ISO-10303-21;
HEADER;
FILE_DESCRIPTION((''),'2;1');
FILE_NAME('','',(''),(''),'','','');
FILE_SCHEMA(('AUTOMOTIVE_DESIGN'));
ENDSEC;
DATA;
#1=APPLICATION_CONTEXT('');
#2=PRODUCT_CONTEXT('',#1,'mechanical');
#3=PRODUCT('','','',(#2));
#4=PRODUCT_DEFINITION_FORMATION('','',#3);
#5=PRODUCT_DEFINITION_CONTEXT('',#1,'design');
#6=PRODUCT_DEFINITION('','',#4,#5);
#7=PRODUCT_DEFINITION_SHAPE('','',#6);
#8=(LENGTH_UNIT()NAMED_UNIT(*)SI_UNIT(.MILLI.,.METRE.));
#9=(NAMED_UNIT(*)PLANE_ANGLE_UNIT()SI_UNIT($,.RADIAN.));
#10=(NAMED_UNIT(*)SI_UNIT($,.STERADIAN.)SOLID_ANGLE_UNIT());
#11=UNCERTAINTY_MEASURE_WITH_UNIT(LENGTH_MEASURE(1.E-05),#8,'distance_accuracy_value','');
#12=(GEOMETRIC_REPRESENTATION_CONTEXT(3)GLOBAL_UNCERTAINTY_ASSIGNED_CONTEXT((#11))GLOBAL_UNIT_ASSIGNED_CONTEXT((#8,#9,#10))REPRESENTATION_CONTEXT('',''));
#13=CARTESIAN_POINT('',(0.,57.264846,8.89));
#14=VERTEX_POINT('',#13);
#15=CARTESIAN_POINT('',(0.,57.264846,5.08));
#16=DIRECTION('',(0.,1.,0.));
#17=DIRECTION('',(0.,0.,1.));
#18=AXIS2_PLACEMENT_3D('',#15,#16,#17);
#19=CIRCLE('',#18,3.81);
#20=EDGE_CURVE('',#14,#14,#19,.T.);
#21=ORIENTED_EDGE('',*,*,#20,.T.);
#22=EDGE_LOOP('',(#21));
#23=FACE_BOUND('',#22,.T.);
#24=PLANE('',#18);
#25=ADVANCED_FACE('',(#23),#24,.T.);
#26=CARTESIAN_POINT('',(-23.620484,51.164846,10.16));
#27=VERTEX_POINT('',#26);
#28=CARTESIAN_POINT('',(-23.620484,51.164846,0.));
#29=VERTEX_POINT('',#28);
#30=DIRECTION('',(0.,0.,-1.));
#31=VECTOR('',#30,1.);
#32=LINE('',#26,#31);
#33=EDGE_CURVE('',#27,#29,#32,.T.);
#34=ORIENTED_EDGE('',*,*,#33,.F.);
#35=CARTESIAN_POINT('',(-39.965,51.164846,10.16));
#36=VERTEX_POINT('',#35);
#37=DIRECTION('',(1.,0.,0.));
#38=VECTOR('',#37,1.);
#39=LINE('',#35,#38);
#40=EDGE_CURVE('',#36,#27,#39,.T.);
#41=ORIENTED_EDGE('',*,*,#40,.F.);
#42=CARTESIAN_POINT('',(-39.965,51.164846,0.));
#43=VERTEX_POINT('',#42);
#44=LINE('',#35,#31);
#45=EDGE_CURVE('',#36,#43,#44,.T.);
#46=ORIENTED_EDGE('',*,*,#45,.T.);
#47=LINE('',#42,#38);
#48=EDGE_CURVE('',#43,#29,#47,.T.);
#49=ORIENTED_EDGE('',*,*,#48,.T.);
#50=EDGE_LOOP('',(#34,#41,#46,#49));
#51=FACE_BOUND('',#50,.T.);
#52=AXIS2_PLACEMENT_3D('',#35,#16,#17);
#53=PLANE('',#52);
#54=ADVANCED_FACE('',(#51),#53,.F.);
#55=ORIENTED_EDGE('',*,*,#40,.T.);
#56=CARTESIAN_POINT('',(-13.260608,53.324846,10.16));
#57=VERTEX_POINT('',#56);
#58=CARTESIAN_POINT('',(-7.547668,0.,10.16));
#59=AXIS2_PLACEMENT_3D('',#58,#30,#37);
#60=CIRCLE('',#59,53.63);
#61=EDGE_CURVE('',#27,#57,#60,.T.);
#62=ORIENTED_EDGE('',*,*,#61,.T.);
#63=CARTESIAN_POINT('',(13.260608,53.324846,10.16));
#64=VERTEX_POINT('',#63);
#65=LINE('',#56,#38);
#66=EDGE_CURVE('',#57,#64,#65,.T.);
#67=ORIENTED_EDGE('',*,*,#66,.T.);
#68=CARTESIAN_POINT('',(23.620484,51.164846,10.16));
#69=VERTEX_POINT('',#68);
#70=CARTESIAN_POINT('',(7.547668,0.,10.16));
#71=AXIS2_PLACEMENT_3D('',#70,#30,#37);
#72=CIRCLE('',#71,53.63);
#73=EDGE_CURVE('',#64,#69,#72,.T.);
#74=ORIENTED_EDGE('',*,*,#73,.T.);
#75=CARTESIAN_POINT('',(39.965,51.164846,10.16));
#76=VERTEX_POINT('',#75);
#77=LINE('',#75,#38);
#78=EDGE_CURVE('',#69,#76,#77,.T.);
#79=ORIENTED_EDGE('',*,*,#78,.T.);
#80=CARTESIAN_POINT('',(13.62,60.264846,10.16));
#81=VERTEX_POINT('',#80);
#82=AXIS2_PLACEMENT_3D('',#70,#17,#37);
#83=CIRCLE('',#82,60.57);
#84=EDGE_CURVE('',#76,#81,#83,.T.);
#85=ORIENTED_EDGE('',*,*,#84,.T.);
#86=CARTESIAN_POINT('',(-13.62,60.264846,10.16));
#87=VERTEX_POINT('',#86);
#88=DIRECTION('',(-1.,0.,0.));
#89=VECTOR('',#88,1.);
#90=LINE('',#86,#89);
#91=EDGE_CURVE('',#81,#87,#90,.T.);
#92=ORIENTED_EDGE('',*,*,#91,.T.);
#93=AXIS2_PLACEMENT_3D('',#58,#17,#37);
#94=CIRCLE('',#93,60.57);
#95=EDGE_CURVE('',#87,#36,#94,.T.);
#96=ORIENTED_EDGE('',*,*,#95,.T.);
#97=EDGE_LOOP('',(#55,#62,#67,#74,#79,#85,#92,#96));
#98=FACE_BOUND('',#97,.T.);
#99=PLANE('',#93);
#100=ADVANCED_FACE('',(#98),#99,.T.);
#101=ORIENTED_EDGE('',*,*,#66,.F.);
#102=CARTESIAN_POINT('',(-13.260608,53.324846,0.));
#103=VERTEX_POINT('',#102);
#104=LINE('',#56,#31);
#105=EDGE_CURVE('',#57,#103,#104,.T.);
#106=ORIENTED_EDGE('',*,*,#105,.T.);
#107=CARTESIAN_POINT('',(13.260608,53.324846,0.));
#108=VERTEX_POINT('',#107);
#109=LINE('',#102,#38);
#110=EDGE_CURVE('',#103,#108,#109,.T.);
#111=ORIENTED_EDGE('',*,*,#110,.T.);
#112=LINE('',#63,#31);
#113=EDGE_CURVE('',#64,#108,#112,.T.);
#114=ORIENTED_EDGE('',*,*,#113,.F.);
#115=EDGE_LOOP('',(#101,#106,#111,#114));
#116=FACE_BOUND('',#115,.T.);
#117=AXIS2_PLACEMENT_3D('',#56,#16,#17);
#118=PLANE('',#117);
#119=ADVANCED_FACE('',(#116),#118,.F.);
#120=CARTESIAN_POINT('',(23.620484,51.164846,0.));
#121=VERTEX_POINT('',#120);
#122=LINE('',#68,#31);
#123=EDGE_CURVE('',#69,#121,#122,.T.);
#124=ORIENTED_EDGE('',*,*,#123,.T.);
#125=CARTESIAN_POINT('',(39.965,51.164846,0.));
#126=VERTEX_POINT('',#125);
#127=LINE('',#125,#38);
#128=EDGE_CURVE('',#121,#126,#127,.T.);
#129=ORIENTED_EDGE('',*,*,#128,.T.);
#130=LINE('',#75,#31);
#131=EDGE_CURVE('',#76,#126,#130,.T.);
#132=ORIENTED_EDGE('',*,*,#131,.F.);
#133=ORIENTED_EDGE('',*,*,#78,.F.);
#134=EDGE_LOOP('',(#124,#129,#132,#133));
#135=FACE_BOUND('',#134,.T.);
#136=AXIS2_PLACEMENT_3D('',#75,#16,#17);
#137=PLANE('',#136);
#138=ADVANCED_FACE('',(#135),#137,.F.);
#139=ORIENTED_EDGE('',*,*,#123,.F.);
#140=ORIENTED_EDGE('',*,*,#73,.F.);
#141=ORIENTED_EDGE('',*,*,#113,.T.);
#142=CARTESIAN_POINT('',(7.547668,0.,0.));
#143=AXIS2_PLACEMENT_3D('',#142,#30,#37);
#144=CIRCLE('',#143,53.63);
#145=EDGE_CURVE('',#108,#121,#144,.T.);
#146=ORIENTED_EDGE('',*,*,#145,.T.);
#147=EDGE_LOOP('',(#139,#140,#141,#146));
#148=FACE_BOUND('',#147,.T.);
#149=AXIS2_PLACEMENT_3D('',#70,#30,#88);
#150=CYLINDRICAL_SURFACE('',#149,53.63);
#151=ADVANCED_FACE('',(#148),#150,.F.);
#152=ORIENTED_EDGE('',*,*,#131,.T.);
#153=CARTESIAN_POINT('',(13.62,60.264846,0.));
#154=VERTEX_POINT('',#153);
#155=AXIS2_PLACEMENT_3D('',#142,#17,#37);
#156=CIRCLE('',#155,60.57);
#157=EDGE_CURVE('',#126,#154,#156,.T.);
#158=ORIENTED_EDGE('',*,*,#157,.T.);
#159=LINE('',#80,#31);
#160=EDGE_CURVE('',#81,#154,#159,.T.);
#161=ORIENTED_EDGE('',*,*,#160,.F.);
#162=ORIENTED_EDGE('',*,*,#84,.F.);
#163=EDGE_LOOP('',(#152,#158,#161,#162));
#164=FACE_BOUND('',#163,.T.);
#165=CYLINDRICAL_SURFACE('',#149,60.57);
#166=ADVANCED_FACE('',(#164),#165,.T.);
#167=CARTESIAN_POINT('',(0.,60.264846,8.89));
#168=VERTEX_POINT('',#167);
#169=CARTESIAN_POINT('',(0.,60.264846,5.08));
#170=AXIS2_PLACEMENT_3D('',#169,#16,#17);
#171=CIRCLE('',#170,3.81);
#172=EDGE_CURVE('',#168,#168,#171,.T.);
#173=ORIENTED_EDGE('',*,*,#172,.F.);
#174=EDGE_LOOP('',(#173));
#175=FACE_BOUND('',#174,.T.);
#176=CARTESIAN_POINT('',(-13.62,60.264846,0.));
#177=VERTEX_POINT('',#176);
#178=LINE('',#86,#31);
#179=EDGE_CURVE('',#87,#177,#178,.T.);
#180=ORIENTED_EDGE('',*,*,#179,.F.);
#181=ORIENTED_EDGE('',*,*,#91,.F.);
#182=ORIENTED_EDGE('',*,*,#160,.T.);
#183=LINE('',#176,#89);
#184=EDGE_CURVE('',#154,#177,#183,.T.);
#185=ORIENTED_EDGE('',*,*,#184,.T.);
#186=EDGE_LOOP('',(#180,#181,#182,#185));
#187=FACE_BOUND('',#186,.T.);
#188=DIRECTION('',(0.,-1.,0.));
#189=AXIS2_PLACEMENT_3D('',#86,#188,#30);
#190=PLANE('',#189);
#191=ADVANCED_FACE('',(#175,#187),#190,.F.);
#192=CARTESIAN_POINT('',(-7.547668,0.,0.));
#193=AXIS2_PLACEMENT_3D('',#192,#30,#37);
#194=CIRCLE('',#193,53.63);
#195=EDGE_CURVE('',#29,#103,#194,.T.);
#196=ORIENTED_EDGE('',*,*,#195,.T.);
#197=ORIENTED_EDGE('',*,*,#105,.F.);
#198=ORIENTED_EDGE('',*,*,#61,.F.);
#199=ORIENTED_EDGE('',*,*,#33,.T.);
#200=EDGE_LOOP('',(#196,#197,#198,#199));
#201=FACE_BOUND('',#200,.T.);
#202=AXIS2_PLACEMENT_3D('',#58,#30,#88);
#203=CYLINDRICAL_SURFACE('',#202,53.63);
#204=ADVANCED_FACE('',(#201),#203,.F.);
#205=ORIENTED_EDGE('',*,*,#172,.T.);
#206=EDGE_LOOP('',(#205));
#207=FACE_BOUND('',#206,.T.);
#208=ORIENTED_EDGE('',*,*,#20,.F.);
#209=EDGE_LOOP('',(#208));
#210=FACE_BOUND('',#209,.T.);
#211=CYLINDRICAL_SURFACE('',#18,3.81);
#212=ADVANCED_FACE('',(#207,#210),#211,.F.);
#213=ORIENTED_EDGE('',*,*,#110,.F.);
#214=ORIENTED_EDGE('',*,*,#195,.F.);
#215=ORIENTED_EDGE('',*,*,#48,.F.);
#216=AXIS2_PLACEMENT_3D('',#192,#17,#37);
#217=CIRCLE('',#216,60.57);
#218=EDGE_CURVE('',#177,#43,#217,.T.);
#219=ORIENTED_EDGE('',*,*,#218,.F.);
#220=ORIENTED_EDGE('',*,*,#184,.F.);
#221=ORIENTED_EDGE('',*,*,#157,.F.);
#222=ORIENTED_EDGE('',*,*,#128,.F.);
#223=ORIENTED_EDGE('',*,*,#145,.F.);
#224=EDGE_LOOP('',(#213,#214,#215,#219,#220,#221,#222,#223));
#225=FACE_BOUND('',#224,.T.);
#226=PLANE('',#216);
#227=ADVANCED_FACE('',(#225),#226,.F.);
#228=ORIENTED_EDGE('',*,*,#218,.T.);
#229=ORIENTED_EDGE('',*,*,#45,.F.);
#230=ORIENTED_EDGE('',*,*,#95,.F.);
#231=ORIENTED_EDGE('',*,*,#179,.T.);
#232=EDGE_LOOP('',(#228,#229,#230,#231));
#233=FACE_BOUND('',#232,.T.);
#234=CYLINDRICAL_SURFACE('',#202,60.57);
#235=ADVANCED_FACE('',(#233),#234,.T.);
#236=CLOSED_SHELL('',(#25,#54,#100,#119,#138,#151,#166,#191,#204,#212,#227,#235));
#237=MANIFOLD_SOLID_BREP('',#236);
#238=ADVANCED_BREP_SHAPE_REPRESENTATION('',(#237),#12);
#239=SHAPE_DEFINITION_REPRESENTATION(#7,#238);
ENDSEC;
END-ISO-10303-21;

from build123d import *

# Parameters (mm, degrees)
BOSS_EXTRUDE1_DEPTH = 10.16
SKETCH2_R           = 3.81
CUT_EXTRUDE1_DEPTH  = 3


with BuildPart() as part:
    # Sketch1 → Boss-Extrude1 (new body)
    with BuildSketch(Plane.XY):
        with BuildLine():
            Line((-13.62, 60.264846167), (13.62, 60.264846167))
            ThreePointArc((13.62, 60.264846167), (27.323058228, 57.250841389), (39.965, 51.164846167))
            Line((39.965, 51.164846167), (23.620484036, 51.164846167))
            ThreePointArc((23.620484036, 51.164846167), (18.493954537, 52.501006754), (13.260607764, 53.324846167))
            Line((13.260607764, 53.324846167), (-13.260607764, 53.324846167))
            ThreePointArc((-13.260607764, 53.324846167), (-18.493954537, 52.501006754), (-23.620484036, 51.164846167))
            Line((-23.620484036, 51.164846167), (-39.965, 51.164846167))
            ThreePointArc((-39.965, 51.164846167), (-27.323058228, 57.250841389), (-13.62, 60.264846167))
        make_face()
    extrude(amount=BOSS_EXTRUDE1_DEPTH)

    # Sketch2 → Cut-Extrude1 (cut)
    with BuildSketch(Plane(origin=(0, 60.264846167, 0), x_dir=(1, 0, 0), z_dir=(0, 1, 0))):
        with Locations((0, -5.08)):
            Circle(SKETCH2_R)
    extrude(amount=-CUT_EXTRUDE1_DEPTH, mode=Mode.SUBTRACT)


solid = part.part
